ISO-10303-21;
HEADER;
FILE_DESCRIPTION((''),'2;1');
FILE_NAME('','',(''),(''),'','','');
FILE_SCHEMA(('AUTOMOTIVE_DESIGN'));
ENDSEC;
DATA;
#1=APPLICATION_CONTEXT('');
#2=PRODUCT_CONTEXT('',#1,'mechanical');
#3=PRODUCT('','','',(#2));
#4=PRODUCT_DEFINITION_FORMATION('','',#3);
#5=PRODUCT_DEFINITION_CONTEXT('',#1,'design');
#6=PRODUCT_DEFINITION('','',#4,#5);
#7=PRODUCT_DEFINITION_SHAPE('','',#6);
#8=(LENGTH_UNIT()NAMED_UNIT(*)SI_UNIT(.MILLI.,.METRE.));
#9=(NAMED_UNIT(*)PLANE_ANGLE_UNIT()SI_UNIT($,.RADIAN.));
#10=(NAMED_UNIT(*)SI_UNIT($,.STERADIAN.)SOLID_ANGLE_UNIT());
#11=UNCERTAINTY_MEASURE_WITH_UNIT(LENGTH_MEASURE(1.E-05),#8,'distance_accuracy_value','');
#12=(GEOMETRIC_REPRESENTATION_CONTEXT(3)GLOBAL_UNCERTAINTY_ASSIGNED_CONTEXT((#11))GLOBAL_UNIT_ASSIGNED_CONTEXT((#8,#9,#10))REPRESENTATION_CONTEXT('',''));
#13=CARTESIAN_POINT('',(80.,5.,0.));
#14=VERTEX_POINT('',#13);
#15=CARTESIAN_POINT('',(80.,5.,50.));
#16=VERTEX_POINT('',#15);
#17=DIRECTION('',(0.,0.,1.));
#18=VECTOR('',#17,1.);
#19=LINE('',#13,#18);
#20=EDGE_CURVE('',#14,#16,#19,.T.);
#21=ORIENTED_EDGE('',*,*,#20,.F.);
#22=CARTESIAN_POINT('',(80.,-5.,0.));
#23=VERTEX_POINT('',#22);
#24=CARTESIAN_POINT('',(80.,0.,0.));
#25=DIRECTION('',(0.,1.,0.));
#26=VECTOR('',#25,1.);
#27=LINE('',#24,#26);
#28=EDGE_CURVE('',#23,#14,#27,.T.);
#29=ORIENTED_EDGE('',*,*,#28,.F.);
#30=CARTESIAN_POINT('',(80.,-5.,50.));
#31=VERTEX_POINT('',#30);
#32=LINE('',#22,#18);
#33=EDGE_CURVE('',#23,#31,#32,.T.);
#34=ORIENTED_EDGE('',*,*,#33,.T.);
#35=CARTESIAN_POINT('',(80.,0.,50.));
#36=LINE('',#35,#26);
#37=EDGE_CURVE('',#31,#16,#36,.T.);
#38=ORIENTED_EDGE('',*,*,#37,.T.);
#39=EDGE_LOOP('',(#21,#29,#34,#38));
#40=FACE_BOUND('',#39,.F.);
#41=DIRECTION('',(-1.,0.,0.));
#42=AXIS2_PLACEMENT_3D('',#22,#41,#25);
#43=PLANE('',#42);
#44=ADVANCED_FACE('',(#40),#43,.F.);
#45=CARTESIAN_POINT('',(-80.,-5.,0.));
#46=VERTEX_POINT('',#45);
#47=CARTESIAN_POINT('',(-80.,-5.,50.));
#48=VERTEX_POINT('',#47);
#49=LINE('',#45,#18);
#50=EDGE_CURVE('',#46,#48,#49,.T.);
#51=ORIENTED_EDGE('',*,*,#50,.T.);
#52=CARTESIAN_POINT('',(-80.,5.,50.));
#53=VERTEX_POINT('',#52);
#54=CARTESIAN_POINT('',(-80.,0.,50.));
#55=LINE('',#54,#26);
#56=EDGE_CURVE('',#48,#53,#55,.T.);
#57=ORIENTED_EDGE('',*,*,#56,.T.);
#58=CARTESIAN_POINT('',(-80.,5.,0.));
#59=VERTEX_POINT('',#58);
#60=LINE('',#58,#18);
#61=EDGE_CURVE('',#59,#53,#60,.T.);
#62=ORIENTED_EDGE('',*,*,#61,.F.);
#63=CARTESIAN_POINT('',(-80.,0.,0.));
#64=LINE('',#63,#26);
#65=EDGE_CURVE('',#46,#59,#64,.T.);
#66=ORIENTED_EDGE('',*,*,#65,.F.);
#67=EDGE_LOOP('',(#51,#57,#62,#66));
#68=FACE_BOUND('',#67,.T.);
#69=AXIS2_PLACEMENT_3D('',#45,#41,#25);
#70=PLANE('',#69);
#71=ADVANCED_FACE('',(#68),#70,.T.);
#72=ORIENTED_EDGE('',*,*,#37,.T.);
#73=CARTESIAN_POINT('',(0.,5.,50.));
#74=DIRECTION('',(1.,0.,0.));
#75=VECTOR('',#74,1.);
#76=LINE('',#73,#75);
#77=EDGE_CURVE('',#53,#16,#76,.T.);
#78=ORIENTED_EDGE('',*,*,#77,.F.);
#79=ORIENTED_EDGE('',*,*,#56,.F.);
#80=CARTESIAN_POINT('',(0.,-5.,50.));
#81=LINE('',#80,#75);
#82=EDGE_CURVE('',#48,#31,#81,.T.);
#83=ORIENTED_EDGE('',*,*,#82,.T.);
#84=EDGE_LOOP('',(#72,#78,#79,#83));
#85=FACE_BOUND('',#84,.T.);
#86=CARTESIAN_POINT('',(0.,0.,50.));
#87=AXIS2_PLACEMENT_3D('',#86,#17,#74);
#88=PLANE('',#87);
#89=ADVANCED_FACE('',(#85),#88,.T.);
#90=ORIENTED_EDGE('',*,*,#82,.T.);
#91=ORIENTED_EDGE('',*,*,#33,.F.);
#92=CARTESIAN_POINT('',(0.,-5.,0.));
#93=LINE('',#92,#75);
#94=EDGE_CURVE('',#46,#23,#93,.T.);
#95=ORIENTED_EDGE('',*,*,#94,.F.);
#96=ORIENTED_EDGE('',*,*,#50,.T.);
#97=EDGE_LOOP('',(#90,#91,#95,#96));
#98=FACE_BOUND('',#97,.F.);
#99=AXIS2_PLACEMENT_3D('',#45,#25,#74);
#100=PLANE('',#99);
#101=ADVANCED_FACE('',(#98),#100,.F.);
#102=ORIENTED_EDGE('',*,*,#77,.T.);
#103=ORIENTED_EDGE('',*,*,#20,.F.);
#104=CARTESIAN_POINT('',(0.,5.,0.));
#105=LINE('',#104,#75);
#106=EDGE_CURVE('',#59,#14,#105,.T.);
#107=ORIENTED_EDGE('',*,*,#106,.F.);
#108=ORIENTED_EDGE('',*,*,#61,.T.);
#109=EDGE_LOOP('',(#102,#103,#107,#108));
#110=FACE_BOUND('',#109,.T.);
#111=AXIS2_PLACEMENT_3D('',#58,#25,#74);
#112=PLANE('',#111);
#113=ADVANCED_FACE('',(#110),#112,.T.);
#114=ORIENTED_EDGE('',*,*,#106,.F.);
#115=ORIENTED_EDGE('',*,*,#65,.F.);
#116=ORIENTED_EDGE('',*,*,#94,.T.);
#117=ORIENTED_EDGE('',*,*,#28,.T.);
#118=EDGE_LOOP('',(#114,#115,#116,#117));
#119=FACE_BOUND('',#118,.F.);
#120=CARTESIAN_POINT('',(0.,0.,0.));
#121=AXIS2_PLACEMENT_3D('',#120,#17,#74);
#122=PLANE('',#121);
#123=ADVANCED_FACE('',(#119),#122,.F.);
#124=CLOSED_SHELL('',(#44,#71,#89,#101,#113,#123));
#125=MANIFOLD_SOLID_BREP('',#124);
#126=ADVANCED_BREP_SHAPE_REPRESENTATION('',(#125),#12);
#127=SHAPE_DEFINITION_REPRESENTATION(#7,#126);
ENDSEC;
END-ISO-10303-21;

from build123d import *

# Parameters (mm, degrees)
SKETCH_W      = 160
SKETCH_H      = 10
EXTRUDE_DEPTH = 50


with BuildPart() as part:
    # Sketch → Extrude (new body)
    with BuildSketch(Plane.XY):
        Rectangle(SKETCH_W, SKETCH_H)
    extrude(amount=EXTRUDE_DEPTH)


solid = part.part
